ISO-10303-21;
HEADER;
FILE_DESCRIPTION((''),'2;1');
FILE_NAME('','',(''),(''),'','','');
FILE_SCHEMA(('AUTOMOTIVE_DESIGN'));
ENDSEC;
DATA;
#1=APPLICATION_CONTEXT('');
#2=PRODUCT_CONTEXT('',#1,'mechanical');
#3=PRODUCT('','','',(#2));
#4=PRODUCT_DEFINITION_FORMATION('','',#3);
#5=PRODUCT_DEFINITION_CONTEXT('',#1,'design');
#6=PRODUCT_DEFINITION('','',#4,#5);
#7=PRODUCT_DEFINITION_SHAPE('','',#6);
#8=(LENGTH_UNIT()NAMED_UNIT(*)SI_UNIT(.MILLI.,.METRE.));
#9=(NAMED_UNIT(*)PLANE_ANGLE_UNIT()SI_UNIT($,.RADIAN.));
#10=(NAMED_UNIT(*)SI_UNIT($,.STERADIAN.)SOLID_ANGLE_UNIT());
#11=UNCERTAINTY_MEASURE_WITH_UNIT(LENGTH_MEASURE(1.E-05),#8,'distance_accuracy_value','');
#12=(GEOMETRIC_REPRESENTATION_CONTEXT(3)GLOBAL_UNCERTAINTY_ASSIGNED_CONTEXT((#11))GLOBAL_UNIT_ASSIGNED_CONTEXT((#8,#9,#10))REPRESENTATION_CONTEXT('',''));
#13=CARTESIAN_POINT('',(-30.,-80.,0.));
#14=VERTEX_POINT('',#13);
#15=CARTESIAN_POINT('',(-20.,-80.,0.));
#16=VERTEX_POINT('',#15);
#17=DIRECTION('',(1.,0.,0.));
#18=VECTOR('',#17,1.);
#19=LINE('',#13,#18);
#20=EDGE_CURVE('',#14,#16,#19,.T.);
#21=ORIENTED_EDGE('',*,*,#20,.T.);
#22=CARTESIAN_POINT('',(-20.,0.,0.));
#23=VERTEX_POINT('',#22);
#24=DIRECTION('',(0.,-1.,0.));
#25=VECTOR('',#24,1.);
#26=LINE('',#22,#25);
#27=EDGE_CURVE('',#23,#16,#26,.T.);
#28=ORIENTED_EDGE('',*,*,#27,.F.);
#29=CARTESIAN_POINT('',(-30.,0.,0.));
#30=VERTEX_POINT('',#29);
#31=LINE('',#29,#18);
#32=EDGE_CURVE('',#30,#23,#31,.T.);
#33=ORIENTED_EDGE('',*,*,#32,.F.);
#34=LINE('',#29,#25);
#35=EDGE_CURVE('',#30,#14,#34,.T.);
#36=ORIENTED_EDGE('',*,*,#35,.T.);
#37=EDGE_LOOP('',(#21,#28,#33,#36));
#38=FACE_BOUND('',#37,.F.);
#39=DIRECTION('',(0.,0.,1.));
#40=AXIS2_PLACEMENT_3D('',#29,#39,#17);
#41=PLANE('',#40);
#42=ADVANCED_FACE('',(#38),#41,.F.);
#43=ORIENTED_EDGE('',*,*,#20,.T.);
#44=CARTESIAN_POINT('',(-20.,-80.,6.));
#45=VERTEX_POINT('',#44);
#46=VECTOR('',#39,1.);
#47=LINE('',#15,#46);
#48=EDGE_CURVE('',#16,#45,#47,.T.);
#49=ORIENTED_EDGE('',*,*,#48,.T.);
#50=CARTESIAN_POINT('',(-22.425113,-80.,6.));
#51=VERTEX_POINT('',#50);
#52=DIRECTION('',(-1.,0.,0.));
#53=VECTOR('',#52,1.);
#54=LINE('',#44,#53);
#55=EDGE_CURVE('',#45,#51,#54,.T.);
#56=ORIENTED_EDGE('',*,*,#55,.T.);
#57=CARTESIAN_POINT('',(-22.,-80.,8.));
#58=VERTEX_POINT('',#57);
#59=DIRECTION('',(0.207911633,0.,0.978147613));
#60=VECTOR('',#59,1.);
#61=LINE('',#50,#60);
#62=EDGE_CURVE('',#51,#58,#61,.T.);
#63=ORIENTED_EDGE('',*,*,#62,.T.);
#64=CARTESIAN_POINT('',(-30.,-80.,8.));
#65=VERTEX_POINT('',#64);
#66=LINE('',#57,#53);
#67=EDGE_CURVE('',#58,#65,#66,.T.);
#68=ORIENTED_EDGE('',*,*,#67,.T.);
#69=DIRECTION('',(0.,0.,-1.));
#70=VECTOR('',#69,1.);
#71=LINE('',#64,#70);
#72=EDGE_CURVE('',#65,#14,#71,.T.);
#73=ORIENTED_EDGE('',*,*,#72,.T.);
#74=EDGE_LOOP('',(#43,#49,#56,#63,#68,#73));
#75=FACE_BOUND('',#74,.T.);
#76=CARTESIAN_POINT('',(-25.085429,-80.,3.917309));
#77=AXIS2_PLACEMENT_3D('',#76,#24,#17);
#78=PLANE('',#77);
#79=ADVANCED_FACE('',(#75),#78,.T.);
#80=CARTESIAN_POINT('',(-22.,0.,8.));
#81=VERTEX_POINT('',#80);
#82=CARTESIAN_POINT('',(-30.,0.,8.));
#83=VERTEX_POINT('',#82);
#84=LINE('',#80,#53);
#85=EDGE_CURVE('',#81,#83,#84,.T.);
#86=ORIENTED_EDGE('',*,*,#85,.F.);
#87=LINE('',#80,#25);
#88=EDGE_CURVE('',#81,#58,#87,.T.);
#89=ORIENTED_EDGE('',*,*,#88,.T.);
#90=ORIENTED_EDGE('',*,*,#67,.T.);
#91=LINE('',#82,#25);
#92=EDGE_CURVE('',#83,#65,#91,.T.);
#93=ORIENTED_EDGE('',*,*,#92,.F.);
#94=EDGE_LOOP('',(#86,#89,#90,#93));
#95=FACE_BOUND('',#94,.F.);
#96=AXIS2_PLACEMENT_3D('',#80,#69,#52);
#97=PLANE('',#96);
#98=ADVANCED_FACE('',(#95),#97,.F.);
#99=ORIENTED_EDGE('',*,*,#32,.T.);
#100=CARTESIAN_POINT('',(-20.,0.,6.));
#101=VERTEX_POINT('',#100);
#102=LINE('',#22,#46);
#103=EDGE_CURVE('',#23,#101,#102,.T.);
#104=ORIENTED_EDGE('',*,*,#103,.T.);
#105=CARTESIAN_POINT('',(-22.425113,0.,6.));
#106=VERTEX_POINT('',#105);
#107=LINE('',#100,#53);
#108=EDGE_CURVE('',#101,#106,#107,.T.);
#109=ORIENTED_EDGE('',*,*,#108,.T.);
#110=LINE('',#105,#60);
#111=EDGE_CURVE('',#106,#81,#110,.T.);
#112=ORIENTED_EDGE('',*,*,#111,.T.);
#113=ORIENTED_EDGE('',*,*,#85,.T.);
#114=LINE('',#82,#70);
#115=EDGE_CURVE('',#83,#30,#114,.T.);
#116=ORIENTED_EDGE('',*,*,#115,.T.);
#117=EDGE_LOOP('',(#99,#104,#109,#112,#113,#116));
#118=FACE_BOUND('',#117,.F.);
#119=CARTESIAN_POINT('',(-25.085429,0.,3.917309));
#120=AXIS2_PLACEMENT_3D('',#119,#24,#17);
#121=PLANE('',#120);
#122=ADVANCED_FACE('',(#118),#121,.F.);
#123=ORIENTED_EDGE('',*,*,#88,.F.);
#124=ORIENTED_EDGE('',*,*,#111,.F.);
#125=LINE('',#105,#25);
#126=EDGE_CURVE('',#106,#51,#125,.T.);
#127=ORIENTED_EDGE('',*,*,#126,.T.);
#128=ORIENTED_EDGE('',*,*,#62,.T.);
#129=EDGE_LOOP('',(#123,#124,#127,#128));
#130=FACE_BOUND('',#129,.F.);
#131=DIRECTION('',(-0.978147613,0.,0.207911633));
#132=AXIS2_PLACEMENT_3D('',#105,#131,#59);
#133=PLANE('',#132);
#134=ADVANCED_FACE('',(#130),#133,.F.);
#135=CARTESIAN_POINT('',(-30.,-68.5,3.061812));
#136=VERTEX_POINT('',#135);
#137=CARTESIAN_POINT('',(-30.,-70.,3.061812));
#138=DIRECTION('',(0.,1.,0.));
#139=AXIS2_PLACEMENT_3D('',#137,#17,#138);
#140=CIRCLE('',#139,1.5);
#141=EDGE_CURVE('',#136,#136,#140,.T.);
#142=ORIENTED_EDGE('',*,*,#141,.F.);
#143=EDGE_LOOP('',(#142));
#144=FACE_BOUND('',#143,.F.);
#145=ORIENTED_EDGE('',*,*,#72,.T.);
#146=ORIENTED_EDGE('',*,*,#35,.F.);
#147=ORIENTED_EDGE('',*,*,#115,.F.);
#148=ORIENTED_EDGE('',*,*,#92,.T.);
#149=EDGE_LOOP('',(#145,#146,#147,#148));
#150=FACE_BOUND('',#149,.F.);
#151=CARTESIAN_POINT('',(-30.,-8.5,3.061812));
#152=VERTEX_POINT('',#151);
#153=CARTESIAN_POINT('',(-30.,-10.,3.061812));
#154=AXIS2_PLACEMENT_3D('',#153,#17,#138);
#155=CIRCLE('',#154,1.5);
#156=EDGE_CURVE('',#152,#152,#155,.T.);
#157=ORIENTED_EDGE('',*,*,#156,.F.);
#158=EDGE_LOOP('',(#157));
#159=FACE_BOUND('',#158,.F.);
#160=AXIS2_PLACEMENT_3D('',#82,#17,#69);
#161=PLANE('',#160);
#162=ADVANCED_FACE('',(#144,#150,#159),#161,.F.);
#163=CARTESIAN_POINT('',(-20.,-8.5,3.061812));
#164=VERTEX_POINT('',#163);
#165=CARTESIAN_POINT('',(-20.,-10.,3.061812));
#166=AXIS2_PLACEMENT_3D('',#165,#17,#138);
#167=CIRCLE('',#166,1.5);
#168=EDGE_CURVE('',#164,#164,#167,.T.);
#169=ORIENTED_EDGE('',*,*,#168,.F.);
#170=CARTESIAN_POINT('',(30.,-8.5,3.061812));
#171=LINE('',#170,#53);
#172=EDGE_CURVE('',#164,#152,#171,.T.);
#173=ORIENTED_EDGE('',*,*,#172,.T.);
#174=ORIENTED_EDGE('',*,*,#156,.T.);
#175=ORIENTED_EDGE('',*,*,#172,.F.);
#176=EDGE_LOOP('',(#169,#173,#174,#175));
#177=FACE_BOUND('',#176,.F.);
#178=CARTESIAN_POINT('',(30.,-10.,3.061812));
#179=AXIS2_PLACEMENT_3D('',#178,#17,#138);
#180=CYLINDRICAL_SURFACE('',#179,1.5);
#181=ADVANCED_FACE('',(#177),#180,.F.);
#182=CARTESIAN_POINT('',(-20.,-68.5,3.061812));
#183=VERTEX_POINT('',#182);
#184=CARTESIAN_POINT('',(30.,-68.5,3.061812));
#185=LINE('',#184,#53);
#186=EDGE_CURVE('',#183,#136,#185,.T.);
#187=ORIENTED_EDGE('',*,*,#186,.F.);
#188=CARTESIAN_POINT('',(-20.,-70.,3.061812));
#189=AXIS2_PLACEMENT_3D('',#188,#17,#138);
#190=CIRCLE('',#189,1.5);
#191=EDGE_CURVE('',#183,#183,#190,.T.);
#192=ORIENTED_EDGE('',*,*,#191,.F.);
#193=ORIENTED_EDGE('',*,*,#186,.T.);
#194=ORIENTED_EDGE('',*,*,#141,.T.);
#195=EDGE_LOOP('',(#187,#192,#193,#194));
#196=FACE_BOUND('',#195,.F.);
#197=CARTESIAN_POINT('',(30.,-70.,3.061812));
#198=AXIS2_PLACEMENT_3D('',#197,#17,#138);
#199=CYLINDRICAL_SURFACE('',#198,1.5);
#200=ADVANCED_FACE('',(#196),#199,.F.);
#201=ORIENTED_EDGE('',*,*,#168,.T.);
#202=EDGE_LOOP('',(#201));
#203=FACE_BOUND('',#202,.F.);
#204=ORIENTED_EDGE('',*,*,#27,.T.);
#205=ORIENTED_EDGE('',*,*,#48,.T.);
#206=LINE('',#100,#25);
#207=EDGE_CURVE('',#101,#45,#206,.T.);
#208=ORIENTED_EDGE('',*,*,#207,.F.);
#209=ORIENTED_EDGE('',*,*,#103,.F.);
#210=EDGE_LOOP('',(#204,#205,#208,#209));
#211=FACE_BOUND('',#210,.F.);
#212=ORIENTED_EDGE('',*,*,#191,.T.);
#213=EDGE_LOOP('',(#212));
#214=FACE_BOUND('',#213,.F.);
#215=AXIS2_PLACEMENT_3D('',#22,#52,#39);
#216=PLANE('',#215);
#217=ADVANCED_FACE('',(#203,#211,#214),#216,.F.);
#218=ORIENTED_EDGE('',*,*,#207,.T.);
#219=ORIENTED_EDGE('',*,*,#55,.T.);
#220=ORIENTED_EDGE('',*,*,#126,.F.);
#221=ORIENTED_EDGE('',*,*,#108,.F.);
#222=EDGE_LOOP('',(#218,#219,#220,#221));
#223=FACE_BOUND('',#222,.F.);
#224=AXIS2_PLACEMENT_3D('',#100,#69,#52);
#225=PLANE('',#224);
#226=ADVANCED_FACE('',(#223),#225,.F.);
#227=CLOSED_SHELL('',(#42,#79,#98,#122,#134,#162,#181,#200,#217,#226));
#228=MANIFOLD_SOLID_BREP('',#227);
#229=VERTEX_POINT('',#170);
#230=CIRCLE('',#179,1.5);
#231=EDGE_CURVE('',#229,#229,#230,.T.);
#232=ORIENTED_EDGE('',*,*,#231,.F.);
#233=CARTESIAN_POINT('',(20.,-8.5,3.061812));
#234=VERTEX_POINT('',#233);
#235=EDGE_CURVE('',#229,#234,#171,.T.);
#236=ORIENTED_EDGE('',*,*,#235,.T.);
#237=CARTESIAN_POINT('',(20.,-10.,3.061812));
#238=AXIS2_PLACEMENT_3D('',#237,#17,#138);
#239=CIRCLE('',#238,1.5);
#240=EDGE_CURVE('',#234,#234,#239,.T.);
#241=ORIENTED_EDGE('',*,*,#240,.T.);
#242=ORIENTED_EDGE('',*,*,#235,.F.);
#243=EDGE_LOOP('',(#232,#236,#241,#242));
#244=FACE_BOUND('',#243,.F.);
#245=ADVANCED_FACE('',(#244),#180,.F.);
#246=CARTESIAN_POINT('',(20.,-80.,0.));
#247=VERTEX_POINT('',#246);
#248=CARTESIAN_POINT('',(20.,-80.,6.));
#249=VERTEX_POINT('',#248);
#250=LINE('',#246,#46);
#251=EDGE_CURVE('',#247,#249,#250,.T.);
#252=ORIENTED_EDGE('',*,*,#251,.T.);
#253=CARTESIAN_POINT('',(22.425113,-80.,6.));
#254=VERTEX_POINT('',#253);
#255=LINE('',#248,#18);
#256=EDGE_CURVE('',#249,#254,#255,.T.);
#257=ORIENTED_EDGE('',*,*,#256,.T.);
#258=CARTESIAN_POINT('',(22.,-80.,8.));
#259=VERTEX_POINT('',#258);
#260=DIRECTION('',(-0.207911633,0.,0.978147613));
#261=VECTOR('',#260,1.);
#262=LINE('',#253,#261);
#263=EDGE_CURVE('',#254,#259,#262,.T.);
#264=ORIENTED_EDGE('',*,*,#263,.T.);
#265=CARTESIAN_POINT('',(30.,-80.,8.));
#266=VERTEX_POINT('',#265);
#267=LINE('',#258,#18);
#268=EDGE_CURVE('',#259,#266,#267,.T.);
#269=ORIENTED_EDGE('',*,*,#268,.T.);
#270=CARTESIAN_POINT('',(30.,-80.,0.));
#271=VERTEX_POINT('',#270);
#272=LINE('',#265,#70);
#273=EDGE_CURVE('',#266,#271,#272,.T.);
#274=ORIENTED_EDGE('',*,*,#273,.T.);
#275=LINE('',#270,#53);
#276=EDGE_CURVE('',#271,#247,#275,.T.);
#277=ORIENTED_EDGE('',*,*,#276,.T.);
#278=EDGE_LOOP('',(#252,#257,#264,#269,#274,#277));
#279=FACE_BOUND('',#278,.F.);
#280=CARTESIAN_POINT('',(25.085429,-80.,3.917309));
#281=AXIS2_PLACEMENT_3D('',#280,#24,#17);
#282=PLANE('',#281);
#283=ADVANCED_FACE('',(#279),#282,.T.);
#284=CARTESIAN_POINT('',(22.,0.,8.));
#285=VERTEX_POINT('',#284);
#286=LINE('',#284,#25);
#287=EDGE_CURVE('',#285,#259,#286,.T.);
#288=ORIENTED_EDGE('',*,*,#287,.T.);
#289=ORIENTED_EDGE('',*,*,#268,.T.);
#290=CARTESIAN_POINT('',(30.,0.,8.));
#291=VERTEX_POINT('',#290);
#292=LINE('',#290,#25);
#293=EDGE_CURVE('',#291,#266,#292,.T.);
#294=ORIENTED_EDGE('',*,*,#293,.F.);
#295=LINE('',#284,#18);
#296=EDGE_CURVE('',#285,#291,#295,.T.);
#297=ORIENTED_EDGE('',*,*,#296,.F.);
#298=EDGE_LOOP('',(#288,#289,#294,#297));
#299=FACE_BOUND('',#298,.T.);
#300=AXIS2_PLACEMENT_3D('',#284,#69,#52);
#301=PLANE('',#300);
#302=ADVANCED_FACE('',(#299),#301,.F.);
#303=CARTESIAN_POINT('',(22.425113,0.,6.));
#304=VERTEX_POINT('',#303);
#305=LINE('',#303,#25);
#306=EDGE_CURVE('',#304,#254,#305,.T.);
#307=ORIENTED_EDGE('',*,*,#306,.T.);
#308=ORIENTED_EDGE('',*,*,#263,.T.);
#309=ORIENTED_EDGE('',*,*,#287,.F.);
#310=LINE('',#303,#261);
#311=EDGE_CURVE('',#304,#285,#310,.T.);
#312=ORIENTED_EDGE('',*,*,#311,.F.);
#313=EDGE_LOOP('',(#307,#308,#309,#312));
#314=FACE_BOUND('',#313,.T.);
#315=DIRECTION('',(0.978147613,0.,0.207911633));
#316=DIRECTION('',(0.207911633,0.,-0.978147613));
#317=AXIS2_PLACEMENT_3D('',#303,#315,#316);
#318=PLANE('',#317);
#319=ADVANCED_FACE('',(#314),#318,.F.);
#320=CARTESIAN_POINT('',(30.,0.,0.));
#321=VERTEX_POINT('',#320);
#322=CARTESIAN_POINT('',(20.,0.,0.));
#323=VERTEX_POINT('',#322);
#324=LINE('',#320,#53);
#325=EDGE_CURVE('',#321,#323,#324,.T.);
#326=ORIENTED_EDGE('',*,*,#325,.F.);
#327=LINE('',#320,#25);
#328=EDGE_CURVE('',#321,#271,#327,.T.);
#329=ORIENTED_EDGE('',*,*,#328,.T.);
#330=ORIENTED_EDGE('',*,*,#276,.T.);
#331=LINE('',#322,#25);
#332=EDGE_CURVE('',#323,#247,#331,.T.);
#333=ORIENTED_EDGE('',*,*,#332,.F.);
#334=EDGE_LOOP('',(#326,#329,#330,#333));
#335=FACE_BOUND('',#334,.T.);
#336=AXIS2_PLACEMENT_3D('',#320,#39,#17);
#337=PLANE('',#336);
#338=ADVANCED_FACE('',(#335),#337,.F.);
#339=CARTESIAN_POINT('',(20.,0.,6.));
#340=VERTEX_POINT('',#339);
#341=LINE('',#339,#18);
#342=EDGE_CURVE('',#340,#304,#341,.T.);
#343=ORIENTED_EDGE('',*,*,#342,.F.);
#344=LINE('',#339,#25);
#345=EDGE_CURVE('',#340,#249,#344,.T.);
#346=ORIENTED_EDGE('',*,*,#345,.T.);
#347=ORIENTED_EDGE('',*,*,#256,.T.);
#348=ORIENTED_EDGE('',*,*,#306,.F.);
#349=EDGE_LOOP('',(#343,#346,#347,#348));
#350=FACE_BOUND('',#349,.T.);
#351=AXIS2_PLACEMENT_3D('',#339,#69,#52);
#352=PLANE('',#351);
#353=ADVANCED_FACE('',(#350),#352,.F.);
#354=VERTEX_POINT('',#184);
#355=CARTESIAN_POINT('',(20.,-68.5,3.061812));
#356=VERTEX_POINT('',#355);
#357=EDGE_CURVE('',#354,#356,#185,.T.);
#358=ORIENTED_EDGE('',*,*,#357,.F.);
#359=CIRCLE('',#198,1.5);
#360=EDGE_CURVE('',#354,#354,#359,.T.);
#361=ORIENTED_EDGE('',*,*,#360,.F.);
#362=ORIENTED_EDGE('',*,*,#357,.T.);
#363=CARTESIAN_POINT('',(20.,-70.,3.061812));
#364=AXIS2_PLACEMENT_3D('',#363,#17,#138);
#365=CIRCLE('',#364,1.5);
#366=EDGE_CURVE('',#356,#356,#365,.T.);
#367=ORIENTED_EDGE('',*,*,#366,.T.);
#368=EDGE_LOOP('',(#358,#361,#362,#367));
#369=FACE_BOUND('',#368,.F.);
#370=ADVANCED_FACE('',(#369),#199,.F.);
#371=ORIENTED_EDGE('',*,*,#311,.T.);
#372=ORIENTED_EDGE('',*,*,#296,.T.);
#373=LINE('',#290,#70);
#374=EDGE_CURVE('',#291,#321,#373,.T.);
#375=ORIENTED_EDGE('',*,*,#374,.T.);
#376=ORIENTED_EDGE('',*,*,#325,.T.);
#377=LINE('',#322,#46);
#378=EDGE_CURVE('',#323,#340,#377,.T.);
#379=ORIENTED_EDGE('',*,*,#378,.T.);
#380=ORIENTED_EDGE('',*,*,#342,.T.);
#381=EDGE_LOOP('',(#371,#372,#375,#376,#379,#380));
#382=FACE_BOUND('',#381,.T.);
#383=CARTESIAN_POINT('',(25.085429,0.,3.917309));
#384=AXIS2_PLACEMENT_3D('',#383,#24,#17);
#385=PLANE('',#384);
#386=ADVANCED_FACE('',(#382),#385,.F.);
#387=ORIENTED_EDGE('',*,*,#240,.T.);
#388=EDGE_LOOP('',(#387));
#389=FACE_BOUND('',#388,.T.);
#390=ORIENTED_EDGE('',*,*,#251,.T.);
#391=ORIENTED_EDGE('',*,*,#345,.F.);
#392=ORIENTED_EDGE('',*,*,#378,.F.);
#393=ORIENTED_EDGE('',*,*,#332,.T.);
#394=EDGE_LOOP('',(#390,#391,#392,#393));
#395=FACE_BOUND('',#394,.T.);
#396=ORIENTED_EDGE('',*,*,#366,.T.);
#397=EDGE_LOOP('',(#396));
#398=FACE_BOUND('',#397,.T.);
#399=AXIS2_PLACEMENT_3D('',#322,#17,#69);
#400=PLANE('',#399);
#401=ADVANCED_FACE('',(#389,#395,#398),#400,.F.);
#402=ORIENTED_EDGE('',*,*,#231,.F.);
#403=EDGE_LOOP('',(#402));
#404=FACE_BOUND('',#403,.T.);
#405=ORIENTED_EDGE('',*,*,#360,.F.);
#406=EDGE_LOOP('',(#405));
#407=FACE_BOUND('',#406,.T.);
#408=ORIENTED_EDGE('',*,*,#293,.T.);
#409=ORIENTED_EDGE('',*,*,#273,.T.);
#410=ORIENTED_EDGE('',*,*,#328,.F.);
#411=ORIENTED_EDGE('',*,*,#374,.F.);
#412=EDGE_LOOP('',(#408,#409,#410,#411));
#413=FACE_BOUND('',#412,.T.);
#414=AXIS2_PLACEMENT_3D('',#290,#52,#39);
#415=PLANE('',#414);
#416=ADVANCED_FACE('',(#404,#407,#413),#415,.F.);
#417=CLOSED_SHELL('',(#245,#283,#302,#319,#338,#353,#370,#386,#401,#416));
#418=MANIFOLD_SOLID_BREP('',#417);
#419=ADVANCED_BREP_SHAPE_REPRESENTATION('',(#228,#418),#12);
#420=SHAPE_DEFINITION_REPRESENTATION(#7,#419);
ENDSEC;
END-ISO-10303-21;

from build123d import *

# Parameters (mm, degrees)
F1_DEPTH = 80
F3_R     = 1.5
F4_DEPTH = 70


with BuildPart() as f1:
    # F0 (on Front) → F1 (new body)
    with BuildSketch(Plane.XZ):
        Polygon((-22, 8), (-30, 8), (-30, 0), (-20, 0), (-20, 6), (-22.425113, 6), align=None)
    extrude(amount=F1_DEPTH)


with BuildPart() as f2_1:
    # F2: instance of F1
    add(f1.part.mirror(Plane.YZ))


with BuildPart() as f4_tool:
    # F3 (on face) → F4 (new body)
    with BuildSketch(Plane.YZ.offset(30)):
        with Locations((-70, 3.061812)):
            Circle(F3_R)
        with Locations((-10, 3.061812)):
            Circle(F3_R)
    extrude(amount=-F4_DEPTH)


with BuildPart() as f1_1:
    add(f1.part)

    # F4: cut by f4_tool
    add(f4_tool.part, mode=Mode.SUBTRACT)


with BuildPart() as f2_1_1:
    add(f2_1.part)

    # F4: cut by f4_tool
    add(f4_tool.part, mode=Mode.SUBTRACT)


solid = Compound([f1_1.part, f2_1_1.part])
